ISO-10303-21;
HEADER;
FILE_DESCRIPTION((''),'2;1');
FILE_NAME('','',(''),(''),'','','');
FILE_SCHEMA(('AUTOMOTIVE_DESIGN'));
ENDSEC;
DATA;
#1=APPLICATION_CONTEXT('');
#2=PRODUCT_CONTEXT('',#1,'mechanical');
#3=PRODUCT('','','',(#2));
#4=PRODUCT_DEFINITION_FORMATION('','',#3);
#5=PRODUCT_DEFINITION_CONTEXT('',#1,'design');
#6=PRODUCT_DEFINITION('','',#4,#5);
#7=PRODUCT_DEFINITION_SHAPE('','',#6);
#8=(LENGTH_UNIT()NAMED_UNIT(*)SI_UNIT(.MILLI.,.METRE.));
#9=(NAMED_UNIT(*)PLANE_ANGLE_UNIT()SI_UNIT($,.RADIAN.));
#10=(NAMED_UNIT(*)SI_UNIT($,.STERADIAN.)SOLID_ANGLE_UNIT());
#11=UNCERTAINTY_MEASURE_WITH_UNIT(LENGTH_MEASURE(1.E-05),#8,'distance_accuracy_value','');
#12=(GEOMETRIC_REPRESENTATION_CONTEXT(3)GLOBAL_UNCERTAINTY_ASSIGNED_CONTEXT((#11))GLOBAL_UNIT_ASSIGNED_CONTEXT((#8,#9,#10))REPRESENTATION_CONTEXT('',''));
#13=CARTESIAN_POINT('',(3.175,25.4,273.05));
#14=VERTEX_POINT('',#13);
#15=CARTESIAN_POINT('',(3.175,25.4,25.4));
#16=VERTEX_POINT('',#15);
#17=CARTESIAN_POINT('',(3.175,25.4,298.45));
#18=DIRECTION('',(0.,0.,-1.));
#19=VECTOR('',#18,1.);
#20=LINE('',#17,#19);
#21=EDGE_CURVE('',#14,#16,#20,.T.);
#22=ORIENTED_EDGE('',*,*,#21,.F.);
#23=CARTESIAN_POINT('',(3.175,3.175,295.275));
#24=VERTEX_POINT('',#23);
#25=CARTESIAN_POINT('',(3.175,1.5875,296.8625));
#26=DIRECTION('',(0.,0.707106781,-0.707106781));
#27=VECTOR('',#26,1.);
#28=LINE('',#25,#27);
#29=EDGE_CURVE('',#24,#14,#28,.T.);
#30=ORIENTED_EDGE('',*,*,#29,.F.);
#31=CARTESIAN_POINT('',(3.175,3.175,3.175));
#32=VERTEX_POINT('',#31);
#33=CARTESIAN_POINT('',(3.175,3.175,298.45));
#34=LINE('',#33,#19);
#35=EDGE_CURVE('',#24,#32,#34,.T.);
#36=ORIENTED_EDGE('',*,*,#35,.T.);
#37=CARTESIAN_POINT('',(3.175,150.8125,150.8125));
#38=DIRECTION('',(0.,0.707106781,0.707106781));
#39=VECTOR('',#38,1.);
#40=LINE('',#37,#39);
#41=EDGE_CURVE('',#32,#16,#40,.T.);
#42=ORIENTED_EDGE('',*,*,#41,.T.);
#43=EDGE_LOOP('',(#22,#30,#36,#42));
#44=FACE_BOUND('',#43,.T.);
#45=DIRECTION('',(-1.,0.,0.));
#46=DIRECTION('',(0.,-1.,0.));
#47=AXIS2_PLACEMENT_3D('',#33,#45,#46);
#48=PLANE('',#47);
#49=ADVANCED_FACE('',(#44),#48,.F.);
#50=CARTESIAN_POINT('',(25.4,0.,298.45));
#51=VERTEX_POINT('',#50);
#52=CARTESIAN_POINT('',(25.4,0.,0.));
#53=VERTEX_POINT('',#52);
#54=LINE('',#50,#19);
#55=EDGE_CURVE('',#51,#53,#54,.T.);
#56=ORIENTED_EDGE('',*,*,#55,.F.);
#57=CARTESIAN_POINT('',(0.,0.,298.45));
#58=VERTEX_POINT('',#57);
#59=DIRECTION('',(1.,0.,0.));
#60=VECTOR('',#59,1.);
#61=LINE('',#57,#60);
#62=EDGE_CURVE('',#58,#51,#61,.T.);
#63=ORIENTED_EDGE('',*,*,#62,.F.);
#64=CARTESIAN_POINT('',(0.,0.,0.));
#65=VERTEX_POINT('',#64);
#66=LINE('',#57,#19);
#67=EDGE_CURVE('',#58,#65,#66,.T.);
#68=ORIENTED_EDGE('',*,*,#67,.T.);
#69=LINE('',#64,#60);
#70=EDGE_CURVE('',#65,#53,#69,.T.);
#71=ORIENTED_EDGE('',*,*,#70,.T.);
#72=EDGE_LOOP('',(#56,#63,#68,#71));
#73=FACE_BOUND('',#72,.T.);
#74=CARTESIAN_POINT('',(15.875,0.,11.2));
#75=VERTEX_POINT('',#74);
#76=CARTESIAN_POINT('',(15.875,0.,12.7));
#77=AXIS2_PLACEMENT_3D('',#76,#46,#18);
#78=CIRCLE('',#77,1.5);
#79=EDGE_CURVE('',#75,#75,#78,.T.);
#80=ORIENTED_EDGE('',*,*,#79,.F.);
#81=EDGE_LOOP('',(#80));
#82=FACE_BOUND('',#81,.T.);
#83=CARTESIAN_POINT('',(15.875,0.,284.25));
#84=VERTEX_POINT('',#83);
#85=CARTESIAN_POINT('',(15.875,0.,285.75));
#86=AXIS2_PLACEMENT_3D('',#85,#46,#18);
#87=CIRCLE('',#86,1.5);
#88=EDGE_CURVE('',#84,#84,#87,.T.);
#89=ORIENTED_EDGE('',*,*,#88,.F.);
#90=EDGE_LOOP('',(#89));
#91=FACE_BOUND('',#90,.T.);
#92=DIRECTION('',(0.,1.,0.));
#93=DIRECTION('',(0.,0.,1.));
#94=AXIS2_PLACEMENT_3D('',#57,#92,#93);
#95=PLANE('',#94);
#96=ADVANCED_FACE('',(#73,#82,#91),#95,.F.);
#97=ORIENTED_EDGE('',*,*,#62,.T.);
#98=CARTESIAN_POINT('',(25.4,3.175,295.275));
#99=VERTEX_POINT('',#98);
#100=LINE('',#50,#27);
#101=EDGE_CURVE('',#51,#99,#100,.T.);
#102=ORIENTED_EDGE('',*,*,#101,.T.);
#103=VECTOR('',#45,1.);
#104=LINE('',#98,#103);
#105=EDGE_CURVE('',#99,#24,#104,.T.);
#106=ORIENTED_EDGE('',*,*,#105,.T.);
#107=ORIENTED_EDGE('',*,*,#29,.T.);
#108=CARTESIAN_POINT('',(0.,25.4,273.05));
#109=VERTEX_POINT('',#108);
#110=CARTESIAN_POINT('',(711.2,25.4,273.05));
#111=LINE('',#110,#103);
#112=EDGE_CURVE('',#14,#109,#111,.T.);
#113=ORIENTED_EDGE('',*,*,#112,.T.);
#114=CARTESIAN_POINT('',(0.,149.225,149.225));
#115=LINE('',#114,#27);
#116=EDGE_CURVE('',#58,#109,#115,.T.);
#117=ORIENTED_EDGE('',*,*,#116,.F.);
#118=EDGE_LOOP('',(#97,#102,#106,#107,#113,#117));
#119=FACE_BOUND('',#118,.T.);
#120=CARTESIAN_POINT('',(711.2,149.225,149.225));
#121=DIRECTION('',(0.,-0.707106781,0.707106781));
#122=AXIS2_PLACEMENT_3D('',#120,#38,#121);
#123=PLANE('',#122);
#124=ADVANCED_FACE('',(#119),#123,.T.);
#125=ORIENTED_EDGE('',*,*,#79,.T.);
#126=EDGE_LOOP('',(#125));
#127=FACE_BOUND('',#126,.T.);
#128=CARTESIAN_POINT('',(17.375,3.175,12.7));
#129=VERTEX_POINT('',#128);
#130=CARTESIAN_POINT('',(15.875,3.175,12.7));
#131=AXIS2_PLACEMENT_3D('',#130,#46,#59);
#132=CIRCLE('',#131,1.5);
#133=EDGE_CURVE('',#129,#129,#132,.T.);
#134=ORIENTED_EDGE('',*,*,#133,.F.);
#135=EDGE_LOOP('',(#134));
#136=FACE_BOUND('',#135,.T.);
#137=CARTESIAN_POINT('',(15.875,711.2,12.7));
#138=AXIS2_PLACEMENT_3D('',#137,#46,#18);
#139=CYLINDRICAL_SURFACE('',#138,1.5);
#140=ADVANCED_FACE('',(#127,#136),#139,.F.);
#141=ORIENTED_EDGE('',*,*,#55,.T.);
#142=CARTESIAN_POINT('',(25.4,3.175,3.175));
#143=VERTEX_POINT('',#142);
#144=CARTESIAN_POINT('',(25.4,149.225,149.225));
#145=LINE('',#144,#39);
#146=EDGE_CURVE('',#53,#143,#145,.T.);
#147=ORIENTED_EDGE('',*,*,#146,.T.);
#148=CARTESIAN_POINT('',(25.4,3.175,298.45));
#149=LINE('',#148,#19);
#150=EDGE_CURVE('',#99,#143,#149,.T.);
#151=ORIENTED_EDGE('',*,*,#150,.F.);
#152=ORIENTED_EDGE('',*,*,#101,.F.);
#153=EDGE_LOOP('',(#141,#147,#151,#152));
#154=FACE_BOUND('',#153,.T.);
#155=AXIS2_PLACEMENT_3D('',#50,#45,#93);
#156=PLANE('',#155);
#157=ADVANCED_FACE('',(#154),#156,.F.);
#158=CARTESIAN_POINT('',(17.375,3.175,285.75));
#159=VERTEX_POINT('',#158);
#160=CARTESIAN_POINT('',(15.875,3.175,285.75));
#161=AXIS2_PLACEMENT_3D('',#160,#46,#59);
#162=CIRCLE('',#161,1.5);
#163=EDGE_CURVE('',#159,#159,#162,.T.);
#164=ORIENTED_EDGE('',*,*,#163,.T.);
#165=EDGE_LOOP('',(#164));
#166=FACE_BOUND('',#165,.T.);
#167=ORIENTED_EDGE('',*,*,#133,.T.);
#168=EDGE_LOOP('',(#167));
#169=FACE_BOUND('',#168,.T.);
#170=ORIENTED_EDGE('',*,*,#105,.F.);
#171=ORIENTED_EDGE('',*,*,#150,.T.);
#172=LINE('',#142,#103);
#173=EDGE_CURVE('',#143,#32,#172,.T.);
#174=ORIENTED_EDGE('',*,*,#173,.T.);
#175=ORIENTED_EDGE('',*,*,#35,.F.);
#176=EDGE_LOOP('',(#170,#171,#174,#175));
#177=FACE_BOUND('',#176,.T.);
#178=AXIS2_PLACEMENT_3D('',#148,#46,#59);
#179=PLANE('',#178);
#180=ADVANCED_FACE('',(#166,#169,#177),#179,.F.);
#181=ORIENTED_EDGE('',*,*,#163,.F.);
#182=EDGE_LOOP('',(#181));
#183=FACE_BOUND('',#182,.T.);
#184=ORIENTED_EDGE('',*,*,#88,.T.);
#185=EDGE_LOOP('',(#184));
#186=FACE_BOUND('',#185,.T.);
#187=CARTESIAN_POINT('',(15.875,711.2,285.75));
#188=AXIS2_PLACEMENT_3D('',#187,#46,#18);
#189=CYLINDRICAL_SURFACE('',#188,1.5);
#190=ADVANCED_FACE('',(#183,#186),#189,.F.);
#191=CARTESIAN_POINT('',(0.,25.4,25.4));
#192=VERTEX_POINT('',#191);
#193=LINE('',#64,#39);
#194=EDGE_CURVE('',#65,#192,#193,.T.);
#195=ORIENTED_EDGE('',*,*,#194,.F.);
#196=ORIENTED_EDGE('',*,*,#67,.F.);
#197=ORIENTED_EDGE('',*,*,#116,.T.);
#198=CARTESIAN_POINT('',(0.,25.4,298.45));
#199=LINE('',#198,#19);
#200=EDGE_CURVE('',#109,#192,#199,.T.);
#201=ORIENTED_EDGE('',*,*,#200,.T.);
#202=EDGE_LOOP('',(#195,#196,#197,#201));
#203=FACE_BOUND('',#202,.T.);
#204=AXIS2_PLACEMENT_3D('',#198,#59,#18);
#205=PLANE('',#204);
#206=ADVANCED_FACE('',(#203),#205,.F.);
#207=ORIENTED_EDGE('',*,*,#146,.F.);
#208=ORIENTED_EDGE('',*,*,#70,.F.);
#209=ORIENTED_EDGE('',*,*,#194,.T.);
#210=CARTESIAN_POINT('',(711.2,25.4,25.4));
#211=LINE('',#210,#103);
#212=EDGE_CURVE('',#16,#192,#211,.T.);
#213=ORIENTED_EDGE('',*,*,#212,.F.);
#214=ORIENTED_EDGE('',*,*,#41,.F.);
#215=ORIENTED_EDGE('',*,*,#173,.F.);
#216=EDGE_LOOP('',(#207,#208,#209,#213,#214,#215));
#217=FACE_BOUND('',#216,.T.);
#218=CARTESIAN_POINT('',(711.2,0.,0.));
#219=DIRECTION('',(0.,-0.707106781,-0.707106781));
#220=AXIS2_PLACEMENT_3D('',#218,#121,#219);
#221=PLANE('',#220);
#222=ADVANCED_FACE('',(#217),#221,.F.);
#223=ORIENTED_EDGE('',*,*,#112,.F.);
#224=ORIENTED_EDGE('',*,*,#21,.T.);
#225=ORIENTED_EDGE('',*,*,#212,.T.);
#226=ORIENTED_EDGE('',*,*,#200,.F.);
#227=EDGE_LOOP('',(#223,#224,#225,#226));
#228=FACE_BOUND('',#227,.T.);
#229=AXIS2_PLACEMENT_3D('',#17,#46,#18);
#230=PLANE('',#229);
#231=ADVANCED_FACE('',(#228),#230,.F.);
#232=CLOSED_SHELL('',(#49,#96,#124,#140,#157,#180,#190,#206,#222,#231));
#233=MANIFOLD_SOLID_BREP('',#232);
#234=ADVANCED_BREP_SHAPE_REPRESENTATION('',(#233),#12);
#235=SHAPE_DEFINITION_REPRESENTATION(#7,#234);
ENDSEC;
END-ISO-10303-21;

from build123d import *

# Parameters (mm, degrees)
BOSS_EXTRUDE1_DEPTH = 298.45
CUT_EXTRUDE1_DEPTH  = 711.2
SKETCH3_R           = 1.5
CUT_EXTRUDE2_DEPTH  = 711.2


with BuildPart() as part:
    # Sketch1 → Boss-Extrude1 (new body)
    with BuildSketch(Plane.XY):
        Polygon((0, 25.4), (0, 0), (25.4, 0), (25.4, 3.175), (3.175, 3.175), (3.175, 25.4), align=None)
    extrude(amount=BOSS_EXTRUDE1_DEPTH)

    # Sketch2 → Cut-Extrude1 (cut)
    with BuildSketch(Plane.ZY):
        Polygon((0, 8.542079309), (0, 0), (25.4, 25.4), (0, 25.4), align=None)
        Polygon((298.45, 25.4), (273.05, 25.4), (298.45, 0), align=None)
    extrude(amount=-CUT_EXTRUDE1_DEPTH, mode=Mode.SUBTRACT)

    # Sketch3 → Cut-Extrude2 (cut)
    with BuildSketch(Plane.XZ):
        with Locations((15.875, 285.75)):
            Circle(SKETCH3_R)
        with Locations((15.875, 12.7)):
            Circle(SKETCH3_R)
    extrude(amount=-CUT_EXTRUDE2_DEPTH, mode=Mode.SUBTRACT)


solid = part.part
